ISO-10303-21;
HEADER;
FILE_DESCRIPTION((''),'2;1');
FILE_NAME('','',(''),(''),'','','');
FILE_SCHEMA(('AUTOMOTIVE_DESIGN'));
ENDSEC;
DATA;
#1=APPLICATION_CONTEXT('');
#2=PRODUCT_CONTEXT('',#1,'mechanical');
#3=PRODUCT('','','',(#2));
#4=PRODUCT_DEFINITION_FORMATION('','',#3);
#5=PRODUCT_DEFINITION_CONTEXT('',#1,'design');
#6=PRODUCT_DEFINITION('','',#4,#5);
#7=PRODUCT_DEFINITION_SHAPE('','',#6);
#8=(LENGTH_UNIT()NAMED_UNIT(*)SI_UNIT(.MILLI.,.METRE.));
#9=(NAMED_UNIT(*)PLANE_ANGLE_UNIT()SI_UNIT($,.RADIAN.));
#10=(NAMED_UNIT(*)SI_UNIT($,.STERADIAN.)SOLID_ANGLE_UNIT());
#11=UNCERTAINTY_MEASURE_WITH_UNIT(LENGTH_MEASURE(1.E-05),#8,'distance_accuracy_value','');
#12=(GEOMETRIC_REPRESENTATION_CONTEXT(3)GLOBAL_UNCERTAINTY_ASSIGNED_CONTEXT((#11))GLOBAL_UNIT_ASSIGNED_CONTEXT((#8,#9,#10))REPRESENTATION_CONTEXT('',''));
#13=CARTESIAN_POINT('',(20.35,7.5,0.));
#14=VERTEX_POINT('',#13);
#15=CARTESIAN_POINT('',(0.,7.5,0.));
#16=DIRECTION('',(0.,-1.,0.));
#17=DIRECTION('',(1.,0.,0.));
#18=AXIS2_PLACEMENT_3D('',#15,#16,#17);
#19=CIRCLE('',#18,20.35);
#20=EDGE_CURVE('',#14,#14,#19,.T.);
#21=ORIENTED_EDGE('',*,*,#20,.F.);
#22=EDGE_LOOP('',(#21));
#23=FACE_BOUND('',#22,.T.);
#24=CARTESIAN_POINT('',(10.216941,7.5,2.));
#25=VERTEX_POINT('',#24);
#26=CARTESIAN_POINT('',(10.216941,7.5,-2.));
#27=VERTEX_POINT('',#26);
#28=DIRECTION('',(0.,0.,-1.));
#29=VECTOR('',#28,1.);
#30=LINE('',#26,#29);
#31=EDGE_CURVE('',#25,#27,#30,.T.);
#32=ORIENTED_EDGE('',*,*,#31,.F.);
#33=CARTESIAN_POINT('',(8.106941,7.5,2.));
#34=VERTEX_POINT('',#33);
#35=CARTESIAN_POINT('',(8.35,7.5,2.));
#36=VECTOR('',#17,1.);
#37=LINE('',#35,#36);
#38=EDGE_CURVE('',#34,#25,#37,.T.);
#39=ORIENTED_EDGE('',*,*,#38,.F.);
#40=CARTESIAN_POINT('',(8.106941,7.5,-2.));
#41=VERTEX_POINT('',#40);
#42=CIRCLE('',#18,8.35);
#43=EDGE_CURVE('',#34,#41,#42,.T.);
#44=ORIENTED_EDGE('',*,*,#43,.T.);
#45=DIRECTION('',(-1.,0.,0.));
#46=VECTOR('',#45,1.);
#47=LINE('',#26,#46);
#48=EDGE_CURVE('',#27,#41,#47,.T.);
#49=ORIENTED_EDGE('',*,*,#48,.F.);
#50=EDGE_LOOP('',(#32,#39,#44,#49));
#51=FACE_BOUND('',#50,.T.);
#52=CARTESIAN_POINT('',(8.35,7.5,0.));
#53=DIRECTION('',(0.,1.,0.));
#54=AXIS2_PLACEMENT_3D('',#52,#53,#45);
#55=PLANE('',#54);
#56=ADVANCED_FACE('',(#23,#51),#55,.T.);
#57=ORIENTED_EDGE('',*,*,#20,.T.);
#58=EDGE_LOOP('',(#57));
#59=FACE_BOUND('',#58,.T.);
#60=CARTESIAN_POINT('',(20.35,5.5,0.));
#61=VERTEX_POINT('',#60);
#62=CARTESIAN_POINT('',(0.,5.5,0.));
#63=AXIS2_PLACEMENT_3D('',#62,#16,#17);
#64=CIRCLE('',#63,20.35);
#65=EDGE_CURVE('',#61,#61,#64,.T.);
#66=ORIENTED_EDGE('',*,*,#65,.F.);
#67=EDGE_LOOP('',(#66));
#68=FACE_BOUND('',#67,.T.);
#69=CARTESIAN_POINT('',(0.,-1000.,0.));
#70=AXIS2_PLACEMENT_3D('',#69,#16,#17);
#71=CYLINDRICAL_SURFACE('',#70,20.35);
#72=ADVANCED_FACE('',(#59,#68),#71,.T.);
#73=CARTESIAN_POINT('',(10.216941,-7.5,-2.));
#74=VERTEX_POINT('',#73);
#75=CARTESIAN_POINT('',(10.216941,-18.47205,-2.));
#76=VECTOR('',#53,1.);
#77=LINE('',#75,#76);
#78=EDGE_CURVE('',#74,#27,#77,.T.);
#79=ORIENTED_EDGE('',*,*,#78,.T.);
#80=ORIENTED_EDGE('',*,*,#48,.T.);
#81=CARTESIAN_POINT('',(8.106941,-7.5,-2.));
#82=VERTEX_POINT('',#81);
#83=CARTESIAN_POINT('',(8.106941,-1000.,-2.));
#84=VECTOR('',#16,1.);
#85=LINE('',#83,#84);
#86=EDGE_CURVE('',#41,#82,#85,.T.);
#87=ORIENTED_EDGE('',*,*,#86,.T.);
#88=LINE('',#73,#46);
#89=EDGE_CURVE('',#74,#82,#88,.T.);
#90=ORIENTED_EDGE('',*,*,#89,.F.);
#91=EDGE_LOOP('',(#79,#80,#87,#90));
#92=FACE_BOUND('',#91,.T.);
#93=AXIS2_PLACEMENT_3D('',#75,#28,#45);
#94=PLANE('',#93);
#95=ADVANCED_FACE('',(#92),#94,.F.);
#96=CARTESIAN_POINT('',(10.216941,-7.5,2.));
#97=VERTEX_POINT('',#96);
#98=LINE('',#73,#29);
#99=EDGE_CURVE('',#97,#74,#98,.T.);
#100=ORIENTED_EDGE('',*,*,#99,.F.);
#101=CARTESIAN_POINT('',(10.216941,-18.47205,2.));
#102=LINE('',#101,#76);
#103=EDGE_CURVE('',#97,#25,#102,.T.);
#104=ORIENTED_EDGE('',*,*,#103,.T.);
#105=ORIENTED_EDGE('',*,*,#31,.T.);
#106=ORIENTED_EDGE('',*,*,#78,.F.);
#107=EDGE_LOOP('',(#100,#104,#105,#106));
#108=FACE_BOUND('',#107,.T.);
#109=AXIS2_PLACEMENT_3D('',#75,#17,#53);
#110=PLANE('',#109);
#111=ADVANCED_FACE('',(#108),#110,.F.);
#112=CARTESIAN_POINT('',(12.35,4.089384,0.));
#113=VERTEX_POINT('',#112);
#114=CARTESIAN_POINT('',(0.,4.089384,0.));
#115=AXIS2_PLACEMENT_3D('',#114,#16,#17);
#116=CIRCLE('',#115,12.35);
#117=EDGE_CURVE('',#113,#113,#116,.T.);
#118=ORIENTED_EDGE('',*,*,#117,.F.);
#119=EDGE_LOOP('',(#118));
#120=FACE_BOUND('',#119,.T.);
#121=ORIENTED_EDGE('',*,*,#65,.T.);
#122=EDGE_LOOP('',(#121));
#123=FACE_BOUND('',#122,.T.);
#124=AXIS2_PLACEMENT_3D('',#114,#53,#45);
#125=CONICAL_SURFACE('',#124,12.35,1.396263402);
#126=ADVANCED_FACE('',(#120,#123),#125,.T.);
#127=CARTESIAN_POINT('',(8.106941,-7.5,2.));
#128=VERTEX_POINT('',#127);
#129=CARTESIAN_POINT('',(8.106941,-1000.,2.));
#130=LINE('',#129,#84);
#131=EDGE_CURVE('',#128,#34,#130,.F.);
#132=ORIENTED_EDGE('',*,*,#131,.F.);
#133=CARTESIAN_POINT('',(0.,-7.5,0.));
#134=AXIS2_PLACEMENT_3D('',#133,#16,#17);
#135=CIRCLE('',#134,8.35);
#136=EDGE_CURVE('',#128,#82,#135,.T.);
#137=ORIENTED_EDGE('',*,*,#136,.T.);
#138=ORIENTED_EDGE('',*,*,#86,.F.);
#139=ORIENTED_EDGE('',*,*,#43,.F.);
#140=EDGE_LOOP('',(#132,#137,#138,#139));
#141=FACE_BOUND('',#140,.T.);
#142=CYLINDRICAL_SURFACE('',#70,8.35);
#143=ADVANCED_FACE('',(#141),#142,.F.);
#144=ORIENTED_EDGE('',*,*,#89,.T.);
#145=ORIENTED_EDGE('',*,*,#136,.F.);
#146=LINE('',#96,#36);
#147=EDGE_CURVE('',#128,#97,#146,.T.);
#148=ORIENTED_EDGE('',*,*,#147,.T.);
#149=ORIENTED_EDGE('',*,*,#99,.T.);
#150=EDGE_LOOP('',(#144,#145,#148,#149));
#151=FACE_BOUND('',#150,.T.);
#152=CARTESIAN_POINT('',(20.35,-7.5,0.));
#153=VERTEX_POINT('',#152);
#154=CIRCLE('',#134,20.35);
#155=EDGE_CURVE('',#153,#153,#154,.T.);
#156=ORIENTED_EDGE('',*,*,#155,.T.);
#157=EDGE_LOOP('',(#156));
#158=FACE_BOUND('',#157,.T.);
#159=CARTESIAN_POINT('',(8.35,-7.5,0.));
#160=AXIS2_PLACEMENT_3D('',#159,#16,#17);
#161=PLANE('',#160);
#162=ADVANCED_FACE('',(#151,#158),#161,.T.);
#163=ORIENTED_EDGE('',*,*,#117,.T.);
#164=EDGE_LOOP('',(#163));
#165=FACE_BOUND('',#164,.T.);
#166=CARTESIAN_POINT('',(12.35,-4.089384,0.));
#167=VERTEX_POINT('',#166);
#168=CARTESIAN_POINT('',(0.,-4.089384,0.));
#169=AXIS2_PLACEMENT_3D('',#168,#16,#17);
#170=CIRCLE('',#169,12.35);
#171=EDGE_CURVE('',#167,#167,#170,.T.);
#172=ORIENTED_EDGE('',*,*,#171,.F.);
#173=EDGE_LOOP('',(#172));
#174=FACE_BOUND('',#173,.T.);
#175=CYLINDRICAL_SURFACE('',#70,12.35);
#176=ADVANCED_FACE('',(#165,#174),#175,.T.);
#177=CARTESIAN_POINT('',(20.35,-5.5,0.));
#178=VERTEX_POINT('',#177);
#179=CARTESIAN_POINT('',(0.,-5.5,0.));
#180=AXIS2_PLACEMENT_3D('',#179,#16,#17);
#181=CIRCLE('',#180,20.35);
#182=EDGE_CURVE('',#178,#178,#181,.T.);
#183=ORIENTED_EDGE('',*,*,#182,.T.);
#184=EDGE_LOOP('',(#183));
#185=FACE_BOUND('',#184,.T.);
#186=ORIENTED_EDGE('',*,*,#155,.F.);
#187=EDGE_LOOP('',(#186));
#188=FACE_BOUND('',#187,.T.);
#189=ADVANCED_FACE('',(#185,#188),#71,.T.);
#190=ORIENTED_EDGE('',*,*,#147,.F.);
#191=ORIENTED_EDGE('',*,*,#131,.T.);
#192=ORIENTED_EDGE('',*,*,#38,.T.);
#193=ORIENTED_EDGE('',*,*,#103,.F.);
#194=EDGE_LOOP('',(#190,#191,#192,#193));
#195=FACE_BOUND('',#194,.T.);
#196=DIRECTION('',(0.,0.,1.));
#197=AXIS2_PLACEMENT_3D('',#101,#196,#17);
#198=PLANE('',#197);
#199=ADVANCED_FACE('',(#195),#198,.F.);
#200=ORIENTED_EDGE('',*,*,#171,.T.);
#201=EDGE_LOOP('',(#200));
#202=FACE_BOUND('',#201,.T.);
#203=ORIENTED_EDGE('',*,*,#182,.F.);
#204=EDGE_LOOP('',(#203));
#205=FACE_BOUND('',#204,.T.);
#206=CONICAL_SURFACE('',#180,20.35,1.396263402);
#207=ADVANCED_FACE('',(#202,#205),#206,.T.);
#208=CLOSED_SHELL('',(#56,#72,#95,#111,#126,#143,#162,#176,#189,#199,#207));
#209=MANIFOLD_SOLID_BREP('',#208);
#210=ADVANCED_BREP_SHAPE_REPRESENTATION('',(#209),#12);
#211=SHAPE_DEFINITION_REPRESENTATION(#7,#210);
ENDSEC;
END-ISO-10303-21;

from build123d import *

# Parameters (mm, degrees)
SKETCH2_W          = 10.216941
SKETCH2_H          = 4
CUT_EXTRUDE1_DEPTH = 15


with BuildPart() as part:
    # Sketch1 → Revolve1 (revolve)
    with BuildSketch(Plane.XY):
        Polygon((20.35, 5.5), (12.35, 4.089384154), (12.35, -4.089384154), (20.35, -5.5), (20.35, -7.5), (8.35, -7.5), (8.35, 7.5), (20.35, 7.5), align=None)
    revolve(axis=Axis((0, -1000, 0), (0, 1, 0)))

    # Sketch2 → Cut-Extrude1 (cut)
    with BuildSketch(Plane(origin=(0, 7.5, 0), x_dir=(1, 0, 0), z_dir=(0, 1, 0))):
        with Locations((5.1084705, 0)):
            Rectangle(SKETCH2_W, SKETCH2_H)
    extrude(amount=-CUT_EXTRUDE1_DEPTH, mode=Mode.SUBTRACT)


solid = part.part
